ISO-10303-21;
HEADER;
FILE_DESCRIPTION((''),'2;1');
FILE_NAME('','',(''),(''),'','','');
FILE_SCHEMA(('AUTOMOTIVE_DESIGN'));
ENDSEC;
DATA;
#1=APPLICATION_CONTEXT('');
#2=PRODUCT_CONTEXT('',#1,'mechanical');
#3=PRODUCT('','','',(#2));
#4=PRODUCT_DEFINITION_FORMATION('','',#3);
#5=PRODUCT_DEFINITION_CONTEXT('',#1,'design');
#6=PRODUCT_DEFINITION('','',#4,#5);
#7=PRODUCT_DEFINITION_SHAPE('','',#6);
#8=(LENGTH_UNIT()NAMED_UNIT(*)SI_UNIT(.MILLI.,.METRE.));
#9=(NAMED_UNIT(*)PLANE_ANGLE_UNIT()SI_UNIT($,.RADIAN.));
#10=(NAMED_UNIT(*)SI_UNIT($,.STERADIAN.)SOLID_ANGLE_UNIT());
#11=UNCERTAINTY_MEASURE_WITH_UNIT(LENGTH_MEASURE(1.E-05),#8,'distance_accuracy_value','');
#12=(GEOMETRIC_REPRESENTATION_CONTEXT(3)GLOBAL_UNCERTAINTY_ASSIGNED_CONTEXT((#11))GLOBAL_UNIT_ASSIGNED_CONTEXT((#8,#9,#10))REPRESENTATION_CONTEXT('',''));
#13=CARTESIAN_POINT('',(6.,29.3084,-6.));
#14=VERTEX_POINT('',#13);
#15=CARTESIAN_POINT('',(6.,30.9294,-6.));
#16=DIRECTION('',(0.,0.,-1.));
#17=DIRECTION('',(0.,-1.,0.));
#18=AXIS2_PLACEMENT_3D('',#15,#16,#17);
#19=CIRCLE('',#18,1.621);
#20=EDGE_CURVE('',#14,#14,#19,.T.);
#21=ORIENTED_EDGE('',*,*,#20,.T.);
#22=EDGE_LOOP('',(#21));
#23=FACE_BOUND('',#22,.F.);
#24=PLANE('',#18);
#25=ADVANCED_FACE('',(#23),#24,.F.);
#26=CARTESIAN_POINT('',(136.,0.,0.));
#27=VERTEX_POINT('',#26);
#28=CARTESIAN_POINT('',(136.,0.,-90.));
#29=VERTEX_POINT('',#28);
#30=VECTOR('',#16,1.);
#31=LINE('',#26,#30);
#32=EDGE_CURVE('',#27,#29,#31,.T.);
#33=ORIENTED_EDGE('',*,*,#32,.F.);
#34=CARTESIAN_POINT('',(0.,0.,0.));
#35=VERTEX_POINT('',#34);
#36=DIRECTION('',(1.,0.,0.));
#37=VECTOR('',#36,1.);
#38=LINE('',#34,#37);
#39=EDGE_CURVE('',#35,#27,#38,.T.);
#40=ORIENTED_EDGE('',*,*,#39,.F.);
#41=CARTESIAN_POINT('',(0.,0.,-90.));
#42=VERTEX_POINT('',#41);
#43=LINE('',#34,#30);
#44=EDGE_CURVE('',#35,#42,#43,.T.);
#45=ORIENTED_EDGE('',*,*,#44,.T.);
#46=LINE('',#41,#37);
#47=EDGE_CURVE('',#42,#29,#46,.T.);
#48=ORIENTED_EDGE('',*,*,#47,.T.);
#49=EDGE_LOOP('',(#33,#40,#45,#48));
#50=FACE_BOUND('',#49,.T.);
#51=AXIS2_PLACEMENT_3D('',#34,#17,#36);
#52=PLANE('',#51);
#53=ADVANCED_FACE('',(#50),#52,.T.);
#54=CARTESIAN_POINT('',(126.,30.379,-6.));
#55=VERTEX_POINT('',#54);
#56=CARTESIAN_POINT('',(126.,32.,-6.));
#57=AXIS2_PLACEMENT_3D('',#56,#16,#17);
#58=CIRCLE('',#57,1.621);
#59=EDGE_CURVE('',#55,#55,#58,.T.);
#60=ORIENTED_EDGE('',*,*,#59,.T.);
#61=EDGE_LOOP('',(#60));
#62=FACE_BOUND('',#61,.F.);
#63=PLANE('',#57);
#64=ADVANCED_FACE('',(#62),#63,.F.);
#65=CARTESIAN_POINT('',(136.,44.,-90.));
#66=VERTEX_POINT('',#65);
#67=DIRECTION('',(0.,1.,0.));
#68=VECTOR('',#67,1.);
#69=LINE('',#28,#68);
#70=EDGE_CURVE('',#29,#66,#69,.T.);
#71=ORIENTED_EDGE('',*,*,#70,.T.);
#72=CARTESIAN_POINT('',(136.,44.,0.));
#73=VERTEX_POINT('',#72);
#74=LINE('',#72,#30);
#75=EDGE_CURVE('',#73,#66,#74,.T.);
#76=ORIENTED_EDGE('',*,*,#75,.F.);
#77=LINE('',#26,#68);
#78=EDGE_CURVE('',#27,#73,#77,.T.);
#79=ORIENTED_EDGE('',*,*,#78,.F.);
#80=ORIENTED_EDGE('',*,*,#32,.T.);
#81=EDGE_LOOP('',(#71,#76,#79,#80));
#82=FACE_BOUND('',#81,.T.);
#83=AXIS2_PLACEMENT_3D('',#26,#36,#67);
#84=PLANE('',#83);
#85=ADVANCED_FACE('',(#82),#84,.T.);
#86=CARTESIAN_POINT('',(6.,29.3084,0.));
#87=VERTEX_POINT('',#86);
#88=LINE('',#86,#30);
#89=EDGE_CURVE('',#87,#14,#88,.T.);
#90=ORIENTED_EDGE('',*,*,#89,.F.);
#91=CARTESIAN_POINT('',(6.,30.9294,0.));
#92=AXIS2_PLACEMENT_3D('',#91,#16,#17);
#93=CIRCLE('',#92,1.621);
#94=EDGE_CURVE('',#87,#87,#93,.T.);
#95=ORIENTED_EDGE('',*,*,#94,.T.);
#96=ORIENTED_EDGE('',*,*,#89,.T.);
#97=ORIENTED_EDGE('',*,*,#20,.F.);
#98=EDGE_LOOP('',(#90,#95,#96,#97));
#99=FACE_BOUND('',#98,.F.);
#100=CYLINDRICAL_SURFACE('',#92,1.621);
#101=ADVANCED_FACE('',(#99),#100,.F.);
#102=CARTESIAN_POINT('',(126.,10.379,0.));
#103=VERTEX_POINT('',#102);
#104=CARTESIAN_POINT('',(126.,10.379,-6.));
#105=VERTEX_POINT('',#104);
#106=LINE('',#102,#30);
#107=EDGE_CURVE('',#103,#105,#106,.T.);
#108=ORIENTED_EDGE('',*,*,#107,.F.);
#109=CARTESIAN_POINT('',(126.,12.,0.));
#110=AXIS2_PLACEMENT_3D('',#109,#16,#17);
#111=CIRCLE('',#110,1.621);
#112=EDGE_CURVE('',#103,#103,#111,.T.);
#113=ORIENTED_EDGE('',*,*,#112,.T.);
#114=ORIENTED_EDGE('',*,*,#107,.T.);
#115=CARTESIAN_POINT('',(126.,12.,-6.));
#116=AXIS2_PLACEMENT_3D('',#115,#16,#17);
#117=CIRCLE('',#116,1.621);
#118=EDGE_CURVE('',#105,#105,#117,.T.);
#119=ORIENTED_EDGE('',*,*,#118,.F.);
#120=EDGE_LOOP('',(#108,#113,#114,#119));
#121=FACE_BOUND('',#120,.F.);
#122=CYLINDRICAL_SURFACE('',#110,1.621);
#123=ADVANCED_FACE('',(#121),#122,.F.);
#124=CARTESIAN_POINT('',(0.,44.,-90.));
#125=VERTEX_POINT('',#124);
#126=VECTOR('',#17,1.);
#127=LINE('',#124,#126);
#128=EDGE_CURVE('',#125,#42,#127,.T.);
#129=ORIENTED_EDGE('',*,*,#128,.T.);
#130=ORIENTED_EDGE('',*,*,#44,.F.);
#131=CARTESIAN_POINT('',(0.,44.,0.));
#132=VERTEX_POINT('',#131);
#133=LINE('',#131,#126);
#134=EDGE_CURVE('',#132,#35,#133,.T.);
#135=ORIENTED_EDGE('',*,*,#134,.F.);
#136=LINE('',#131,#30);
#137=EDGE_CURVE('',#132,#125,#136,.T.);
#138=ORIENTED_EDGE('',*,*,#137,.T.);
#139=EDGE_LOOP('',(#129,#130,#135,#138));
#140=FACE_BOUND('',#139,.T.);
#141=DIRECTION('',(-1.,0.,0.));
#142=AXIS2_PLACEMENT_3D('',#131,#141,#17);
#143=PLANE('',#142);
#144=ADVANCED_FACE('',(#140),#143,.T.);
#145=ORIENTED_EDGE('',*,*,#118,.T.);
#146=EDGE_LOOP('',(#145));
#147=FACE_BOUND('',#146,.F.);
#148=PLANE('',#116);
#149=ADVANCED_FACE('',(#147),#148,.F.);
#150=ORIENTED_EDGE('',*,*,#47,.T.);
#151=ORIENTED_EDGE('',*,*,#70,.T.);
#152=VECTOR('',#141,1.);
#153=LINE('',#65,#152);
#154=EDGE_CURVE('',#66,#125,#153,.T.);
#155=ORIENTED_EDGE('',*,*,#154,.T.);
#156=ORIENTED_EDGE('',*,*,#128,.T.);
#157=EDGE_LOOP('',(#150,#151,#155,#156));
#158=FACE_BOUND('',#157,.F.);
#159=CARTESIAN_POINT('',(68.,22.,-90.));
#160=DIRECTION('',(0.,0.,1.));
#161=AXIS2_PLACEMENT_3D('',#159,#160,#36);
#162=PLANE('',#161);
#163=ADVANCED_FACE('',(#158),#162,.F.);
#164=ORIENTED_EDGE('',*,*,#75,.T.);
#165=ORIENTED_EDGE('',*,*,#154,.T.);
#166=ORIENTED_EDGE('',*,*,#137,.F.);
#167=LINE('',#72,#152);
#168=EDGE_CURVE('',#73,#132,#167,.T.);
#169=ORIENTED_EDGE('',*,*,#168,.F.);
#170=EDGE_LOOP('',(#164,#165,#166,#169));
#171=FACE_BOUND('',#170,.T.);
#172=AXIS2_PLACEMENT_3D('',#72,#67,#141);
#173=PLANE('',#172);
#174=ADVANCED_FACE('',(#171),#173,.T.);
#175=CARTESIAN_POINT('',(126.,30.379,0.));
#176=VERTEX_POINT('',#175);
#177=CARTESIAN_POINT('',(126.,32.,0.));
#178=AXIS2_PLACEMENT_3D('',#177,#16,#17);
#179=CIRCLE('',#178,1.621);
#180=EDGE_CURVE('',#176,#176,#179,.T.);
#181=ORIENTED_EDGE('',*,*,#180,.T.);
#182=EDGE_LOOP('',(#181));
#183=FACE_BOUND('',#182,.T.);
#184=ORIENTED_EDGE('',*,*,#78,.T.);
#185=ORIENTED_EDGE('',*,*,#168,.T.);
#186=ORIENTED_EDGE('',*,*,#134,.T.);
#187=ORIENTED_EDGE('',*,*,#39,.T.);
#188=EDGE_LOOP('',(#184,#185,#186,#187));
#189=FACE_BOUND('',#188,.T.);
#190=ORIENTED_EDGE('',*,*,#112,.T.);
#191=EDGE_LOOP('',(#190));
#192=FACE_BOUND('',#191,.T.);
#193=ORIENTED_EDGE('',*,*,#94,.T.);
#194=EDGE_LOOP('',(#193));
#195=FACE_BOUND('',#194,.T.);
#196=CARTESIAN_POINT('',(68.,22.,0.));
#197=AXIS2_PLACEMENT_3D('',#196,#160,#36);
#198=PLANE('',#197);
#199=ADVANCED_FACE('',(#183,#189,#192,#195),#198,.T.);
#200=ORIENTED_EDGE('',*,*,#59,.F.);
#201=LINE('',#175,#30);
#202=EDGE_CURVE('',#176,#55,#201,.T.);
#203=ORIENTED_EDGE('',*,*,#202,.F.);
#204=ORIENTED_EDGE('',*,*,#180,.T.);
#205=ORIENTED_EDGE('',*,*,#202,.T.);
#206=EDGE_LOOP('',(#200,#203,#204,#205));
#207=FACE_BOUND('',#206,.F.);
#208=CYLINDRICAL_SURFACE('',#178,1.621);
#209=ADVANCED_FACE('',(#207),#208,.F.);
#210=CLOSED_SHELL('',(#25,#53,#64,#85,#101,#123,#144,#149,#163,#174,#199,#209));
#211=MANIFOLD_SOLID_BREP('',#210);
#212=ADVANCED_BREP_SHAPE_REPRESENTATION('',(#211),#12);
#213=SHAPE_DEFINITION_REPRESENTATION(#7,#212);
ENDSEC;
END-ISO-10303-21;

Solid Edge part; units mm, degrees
sketch "Sketch1" plane through (0, 0, 0) normal (0, 0, 1) x (1, 0, 0)
  line L0 (136, 44) -> (0, 44)
  line L1 (0, 44) -> (0, 0)
  line L2 (0, 0) -> (136, 0)
  line L3 (136, 0) -> (136, 44)
extrude "Protrusion1" add sketch "Sketch1" against normal blind 90
hole "Hole_1" [suppressed]
hole "Hole1" at (6, 30.9294, 0) direction (0, 0, -1) diameter 3.242 depth 6 thread major 4 thread length 2
hole "Hole2" at (126, 32, 0) direction (0, 0, -1) diameter 3.242 depth 6 thread major 4 thread length 2
hole "Hole3" at (126, 12, 0) direction (0, 0, -1) diameter 3.242 depth 6 thread major 4 thread length 2
